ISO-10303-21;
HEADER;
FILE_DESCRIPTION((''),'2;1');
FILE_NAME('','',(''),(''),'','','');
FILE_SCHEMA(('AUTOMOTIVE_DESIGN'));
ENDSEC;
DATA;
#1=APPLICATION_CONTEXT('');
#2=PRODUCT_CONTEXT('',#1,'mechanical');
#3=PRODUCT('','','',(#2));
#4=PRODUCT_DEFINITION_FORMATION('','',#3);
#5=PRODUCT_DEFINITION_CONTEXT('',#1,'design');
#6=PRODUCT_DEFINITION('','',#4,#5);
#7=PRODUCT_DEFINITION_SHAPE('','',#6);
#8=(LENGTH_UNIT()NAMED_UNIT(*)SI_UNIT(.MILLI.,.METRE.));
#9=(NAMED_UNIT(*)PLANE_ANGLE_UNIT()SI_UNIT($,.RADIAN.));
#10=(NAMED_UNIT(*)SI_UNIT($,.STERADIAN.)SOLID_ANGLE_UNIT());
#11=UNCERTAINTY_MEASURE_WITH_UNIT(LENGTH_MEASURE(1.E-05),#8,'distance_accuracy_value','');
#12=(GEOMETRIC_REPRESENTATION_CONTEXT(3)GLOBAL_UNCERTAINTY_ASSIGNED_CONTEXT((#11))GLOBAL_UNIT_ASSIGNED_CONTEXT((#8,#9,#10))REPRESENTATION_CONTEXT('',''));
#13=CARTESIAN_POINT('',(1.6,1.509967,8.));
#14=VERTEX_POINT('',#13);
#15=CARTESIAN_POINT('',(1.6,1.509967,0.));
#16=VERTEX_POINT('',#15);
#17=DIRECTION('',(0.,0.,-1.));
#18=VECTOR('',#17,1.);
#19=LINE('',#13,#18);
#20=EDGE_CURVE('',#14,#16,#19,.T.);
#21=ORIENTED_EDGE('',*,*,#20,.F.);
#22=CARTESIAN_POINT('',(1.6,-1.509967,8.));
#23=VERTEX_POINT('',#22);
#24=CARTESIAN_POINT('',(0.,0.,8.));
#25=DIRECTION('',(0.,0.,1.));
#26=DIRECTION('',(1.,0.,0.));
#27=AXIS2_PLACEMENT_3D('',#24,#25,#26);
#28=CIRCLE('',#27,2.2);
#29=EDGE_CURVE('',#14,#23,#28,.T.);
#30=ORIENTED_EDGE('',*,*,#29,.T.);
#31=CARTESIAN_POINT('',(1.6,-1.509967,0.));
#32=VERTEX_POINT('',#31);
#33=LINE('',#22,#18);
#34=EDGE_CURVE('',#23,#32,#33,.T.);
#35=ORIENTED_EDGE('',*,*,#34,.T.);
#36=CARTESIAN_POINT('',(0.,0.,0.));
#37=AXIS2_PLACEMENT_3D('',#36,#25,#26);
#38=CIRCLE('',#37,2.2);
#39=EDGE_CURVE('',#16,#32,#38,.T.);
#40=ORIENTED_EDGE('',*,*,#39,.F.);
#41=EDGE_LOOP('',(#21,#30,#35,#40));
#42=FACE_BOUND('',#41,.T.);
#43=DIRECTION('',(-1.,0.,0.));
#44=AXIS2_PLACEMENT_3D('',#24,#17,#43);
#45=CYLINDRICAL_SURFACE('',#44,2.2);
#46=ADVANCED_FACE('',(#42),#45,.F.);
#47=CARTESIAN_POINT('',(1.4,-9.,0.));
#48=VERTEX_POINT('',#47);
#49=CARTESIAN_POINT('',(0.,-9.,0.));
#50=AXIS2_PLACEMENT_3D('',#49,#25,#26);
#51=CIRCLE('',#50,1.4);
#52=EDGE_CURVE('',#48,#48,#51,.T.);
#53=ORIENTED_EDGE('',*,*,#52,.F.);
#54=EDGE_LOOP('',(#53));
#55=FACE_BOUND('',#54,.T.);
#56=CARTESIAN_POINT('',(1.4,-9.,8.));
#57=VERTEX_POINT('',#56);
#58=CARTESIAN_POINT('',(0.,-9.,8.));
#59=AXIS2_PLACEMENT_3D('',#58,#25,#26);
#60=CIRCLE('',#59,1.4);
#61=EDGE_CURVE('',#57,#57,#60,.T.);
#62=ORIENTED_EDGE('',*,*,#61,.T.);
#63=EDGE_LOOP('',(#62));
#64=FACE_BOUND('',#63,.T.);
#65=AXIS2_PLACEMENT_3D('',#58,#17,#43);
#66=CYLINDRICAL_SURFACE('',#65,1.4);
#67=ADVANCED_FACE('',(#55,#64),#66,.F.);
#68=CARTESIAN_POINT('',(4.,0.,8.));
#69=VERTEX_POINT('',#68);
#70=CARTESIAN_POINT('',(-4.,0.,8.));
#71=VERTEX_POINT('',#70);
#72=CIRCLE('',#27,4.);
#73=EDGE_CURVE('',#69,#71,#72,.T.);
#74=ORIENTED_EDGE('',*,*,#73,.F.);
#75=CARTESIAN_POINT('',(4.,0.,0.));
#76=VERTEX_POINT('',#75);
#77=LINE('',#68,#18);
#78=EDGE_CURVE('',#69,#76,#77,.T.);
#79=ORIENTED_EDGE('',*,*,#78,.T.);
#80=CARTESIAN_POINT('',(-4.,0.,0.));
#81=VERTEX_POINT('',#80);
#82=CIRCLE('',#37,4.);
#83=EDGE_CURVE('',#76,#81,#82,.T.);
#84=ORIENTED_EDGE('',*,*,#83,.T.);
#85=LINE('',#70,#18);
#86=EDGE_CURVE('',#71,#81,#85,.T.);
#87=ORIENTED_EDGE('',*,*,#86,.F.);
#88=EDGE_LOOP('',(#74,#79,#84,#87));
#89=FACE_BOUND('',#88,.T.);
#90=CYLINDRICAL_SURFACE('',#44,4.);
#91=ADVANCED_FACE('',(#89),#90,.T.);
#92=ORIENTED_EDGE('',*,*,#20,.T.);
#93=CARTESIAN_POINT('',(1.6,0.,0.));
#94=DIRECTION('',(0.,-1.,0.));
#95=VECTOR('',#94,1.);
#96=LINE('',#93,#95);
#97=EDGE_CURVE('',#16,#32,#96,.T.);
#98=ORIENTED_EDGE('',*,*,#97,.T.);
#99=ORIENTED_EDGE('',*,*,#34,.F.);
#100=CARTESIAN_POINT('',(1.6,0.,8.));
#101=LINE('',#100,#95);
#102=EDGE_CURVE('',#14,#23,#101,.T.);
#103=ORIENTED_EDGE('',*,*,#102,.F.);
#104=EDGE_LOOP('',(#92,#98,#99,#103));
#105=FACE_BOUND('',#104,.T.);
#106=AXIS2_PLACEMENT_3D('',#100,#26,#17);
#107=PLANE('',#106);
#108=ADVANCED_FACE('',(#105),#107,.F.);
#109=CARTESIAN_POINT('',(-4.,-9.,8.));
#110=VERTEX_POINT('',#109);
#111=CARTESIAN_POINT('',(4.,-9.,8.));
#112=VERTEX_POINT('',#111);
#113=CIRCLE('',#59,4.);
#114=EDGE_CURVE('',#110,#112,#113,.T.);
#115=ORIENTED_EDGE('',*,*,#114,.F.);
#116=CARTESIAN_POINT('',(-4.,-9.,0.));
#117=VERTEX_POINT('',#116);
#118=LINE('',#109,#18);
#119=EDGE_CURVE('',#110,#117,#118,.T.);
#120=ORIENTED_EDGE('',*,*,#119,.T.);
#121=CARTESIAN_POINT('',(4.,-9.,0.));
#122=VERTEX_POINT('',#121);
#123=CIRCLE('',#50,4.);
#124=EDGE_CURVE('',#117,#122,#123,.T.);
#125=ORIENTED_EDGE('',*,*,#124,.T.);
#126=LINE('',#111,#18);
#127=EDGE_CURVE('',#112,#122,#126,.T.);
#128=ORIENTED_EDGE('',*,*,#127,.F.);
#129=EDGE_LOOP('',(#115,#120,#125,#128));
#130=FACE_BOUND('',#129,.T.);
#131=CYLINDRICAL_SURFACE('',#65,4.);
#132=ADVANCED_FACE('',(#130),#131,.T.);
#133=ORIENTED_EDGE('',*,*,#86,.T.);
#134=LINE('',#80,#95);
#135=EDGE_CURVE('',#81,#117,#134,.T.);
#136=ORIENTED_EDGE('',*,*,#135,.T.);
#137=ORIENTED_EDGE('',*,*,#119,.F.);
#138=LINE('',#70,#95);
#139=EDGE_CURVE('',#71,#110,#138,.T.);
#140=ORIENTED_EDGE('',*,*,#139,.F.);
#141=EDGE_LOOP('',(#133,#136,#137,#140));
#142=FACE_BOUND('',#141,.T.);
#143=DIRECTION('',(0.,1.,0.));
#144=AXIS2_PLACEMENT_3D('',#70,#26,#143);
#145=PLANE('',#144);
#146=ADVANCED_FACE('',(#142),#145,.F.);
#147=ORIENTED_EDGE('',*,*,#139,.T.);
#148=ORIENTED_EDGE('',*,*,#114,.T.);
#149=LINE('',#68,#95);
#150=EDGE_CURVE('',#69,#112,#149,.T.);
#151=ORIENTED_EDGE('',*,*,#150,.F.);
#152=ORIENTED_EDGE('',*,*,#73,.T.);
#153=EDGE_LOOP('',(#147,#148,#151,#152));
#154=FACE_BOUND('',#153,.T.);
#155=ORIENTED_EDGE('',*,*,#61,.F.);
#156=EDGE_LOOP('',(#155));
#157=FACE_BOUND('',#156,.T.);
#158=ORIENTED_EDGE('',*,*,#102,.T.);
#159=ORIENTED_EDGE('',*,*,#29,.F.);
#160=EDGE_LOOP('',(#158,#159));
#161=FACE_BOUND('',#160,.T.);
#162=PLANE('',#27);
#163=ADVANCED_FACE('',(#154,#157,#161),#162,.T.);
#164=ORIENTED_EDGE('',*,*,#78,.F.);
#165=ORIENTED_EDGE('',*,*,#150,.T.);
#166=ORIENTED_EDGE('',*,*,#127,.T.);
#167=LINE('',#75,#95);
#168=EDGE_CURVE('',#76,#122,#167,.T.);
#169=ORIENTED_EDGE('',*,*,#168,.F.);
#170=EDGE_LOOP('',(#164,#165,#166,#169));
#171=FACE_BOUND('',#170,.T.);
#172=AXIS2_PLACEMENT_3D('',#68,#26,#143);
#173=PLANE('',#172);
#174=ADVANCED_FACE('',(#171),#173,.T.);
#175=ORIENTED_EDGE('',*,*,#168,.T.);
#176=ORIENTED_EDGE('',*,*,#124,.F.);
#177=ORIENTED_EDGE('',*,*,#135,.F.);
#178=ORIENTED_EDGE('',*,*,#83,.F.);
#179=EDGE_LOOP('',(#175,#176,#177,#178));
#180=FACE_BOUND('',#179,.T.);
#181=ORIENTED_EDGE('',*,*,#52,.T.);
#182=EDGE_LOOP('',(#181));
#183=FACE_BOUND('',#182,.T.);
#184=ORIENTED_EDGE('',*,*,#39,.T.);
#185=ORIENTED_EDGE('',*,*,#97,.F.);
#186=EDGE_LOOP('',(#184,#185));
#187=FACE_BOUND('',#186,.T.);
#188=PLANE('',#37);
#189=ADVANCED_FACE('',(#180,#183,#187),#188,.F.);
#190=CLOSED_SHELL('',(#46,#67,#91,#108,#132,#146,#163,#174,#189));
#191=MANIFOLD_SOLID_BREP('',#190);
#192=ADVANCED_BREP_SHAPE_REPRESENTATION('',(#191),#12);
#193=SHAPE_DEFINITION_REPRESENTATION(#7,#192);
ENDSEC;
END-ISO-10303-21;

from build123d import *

# Parameters (mm, degrees)
EXTRUDE_2_DEPTH     = 8
SKETCH_1_6_R        = 1.4
CUT_EXTRUDE_2_DEPTH = 8


with BuildPart() as part:
    # 草图1 → 凸台-拉伸2 (new body)
    with BuildSketch(Plane.XY):
        with BuildLine():
            Line((4, 0), (4, -9))
            ThreePointArc((4, -9), (0, -13), (-4, -9))
            Line((-4, -9), (-4, 0))
            ThreePointArc((-4, 0), (0, 4), (4, 0))
        make_face()
    extrude(amount=EXTRUDE_2_DEPTH)

    # 草图1<6> → 切除-拉伸2 (cut)
    with BuildSketch(Plane.XY):
        with BuildLine():
            Line((1.6, -1.509966887), (1.6, 1.509966887))
            ThreePointArc((1.6, 1.509966887), (-2.2, 0), (1.6, -1.509966887))
        make_face()
        with Locations((0, -9)):
            Circle(SKETCH_1_6_R)
    extrude(amount=CUT_EXTRUDE_2_DEPTH, mode=Mode.SUBTRACT)


solid = part.part
